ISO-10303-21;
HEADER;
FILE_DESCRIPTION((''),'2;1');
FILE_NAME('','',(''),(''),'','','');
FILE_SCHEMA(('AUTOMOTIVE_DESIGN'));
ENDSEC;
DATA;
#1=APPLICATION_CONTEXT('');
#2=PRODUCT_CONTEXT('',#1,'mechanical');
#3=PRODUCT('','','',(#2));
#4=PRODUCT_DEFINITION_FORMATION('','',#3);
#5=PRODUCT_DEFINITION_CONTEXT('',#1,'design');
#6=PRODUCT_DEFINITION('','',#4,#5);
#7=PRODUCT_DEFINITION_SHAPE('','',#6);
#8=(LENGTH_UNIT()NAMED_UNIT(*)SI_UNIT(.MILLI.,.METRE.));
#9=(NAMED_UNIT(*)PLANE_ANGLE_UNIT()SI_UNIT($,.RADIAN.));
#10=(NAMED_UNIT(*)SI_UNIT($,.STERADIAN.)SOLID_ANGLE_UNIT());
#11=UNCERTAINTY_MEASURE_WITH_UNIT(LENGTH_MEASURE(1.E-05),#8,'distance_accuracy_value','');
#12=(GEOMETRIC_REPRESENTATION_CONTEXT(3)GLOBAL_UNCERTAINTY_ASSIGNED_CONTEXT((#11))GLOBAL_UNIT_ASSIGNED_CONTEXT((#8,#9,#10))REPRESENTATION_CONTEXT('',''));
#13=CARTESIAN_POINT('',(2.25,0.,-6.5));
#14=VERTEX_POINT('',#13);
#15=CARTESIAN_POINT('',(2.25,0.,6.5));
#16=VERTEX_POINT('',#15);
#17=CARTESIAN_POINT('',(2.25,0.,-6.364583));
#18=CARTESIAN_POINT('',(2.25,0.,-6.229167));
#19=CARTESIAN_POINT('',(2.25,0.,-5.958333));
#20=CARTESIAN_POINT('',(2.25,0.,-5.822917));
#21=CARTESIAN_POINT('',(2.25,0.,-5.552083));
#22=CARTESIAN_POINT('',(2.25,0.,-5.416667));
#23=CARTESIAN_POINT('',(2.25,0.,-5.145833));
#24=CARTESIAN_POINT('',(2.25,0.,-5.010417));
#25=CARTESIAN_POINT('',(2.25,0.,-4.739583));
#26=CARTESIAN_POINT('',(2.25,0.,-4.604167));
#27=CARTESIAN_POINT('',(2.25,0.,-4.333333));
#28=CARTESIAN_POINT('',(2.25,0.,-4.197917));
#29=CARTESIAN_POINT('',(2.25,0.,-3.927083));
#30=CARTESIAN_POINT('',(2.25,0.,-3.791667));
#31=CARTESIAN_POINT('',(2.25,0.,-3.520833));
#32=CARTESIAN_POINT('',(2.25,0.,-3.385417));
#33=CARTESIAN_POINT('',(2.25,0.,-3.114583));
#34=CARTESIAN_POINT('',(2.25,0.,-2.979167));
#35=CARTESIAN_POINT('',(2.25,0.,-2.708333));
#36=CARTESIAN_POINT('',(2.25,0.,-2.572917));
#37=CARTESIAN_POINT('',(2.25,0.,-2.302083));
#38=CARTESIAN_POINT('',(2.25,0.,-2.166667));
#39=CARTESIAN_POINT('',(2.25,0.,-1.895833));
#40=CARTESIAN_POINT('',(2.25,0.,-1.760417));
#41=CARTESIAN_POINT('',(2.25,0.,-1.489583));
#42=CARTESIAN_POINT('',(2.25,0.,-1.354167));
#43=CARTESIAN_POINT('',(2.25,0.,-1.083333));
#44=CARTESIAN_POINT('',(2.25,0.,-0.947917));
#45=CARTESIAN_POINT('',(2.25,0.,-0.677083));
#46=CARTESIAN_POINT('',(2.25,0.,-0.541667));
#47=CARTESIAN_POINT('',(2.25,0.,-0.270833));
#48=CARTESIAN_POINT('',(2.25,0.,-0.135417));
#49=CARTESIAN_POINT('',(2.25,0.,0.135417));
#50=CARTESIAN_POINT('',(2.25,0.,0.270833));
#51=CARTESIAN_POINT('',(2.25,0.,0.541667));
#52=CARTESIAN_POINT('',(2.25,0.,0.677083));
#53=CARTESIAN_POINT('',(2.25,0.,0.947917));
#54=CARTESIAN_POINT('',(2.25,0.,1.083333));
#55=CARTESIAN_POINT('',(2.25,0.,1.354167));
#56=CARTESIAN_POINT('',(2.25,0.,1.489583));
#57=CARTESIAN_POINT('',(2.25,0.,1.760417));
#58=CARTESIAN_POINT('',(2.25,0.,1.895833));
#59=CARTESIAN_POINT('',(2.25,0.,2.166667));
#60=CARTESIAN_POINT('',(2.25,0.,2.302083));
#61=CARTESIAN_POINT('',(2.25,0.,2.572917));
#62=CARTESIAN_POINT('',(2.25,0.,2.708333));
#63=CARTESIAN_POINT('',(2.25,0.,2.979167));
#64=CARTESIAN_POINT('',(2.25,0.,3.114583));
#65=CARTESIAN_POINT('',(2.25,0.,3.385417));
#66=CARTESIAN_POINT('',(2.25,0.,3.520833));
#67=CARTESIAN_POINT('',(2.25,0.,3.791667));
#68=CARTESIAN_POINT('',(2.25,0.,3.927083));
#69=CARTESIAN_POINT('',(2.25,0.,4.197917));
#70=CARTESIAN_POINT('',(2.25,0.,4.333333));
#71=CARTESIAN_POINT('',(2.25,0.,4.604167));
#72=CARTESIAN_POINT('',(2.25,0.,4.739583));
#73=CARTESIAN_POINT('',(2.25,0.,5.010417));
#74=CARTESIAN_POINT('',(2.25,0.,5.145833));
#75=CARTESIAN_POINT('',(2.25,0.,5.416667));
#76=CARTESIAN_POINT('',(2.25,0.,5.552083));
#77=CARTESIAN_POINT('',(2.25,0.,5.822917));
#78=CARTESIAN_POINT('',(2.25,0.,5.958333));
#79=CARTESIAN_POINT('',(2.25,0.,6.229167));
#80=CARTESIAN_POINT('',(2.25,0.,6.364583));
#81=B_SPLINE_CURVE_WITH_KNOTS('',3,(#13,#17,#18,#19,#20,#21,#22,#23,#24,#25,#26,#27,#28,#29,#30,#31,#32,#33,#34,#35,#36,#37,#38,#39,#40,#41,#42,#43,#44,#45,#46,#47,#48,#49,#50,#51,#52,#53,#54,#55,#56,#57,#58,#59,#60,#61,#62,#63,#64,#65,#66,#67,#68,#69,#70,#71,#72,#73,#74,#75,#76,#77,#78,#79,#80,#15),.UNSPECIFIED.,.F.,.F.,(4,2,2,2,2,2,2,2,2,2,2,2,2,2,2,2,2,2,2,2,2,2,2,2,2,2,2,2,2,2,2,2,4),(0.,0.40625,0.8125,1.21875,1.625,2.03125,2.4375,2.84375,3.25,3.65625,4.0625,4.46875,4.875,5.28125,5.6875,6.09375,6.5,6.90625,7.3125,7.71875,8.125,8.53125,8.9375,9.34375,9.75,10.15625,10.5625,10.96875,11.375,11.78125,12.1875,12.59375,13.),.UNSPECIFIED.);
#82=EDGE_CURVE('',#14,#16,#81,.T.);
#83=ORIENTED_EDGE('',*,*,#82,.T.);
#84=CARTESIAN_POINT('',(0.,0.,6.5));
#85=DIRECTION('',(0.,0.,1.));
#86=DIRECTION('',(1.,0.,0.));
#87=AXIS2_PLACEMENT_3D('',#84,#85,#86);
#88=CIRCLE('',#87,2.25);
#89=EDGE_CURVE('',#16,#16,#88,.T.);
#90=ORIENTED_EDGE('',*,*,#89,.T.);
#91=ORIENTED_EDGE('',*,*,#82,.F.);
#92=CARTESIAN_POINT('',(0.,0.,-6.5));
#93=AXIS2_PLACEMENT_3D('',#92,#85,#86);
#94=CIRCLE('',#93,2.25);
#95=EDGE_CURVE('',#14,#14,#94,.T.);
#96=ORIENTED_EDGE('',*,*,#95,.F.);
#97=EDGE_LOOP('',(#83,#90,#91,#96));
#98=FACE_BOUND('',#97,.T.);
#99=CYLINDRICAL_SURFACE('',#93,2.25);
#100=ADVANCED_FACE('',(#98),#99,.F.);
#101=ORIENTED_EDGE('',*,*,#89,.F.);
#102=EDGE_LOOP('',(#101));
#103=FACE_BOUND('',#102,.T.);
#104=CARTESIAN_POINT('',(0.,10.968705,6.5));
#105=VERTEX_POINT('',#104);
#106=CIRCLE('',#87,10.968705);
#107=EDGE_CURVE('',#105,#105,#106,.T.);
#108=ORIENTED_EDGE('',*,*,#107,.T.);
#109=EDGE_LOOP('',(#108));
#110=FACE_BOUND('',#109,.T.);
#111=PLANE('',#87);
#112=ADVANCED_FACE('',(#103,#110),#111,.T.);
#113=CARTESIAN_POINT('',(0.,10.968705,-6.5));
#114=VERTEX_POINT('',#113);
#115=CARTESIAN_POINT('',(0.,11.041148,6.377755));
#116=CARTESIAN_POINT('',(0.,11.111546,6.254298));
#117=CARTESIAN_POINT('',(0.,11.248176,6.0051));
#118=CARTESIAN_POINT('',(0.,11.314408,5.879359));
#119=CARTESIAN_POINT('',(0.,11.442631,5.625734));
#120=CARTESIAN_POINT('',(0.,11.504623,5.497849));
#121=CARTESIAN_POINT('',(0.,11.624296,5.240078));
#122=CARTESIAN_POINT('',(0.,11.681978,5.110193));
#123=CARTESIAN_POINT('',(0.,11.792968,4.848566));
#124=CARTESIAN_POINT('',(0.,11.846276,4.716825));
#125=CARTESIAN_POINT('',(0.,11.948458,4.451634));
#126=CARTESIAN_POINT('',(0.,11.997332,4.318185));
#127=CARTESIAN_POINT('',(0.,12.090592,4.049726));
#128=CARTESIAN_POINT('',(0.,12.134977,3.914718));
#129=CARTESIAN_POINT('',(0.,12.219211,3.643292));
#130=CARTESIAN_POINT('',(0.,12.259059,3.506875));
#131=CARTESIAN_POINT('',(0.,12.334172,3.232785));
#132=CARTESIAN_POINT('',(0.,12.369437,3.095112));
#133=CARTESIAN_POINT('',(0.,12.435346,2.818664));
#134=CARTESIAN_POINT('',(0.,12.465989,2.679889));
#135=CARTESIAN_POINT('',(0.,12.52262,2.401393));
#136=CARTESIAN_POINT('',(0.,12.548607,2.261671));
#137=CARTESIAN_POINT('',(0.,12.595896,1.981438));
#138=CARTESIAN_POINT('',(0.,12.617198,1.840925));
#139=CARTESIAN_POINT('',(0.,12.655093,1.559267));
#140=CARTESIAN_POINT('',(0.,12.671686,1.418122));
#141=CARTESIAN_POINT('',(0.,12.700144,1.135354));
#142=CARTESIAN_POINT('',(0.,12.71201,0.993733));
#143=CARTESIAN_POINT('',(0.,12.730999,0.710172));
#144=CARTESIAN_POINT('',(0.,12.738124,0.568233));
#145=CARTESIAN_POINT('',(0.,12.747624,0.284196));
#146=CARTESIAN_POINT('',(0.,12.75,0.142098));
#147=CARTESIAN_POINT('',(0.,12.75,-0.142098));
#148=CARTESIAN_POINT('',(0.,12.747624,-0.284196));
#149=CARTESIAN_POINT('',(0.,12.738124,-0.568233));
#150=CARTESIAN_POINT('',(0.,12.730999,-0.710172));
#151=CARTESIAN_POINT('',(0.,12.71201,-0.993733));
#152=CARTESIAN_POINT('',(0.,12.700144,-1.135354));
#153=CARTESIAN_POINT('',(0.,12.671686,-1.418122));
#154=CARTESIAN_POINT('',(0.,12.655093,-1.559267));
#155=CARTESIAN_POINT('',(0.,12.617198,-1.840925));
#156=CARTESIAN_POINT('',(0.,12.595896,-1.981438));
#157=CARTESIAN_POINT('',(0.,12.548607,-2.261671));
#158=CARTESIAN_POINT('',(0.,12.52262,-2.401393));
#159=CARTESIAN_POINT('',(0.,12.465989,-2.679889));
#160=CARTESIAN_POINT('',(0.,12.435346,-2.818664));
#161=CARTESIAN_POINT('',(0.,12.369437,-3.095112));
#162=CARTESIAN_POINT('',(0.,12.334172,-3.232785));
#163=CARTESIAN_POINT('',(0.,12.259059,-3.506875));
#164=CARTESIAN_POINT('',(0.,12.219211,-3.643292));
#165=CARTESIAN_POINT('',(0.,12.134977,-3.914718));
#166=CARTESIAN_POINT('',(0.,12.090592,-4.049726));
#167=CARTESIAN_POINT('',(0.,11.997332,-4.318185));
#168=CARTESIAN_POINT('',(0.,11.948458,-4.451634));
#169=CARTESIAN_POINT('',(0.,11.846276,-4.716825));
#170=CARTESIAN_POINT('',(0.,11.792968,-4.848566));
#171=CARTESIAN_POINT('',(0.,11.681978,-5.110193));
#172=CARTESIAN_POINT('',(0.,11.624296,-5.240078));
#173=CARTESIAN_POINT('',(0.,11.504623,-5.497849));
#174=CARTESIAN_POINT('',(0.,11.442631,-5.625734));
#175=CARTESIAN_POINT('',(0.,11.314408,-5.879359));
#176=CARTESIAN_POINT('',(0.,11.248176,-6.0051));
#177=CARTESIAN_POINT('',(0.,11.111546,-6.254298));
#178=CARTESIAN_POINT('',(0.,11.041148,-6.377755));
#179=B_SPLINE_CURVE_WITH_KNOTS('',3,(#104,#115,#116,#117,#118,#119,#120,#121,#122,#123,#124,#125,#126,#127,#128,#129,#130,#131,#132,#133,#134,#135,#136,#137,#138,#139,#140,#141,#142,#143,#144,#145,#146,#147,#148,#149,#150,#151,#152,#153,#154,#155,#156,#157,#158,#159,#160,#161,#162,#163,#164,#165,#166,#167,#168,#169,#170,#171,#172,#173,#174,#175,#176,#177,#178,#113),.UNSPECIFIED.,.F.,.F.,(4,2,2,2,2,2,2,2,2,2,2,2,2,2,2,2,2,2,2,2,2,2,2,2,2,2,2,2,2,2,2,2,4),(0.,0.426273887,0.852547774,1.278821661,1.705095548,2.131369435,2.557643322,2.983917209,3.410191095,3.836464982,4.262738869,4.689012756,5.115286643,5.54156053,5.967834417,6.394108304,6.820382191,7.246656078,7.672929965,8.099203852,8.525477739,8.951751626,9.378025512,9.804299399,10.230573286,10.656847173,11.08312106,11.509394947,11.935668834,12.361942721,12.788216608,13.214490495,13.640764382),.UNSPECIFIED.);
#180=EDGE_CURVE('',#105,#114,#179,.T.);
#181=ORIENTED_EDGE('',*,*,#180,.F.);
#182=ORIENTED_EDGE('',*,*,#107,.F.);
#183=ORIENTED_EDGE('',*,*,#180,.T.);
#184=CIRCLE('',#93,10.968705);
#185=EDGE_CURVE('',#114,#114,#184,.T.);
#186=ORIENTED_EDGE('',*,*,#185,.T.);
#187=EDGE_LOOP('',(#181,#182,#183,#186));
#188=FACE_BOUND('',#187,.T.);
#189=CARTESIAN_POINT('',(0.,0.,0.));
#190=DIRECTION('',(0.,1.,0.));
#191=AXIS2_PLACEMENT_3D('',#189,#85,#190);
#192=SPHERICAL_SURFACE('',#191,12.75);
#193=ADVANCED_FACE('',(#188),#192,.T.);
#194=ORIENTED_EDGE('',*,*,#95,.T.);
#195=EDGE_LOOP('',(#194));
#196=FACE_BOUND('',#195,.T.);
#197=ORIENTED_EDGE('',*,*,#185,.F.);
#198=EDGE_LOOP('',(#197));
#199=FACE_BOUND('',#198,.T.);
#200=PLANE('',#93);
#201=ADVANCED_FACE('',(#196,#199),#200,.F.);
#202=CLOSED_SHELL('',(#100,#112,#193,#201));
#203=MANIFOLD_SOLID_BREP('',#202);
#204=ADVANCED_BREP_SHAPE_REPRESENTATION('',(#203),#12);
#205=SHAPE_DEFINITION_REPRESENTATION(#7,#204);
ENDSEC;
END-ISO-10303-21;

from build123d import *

# Parameters (mm, degrees)
SKIZZE1_R                       = 12.75
AUFSATZ_LINEAR_AUSTRAGEN1_DEPTH = 6.5
SKIZZE2_R                       = 2.25
SCHNITT_LINEAR_AUSTRAGEN1_DEPTH = 6.5


with BuildPart() as part:
    # Skizze1 → Aufsatz-Linear austragen1 (new, symmetric)
    with BuildSketch(Plane.XY):
        with Locations(Location((0, 0, 0), (0, 0, 180))):
            Circle(SKIZZE1_R)
    extrude(amount=AUFSATZ_LINEAR_AUSTRAGEN1_DEPTH, both=True)

    # Skizze2 → Schnitt-Linear austragen1 (cut, symmetric)
    with BuildSketch(Plane.XY):
        Circle(SKIZZE2_R)
    extrude(amount=SCHNITT_LINEAR_AUSTRAGEN1_DEPTH, both=True, mode=Mode.SUBTRACT)

    # Skizze3 → Schnitt-Rotation2 (revolve, cut)
    with BuildSketch(Plane(origin=(0, 0, 0), x_dir=(0, 0, -1), z_dir=(1, 0, 0))):
        with BuildLine():
            Line((-6.5, 10.968705484), (-6.5, 13.936393614))
            Line((-6.5, 13.936393614), (6.5, 13.936393614))
            Line((6.5, 13.936393614), (6.5, 10.968705484))
            ThreePointArc((6.5, 10.968705484), (0, 12.75), (-6.5, 10.968705484))
        make_face()
    revolve(axis=Axis((0, 0, 6.5), (0, 0, -1)), mode=Mode.SUBTRACT)


solid = part.part
